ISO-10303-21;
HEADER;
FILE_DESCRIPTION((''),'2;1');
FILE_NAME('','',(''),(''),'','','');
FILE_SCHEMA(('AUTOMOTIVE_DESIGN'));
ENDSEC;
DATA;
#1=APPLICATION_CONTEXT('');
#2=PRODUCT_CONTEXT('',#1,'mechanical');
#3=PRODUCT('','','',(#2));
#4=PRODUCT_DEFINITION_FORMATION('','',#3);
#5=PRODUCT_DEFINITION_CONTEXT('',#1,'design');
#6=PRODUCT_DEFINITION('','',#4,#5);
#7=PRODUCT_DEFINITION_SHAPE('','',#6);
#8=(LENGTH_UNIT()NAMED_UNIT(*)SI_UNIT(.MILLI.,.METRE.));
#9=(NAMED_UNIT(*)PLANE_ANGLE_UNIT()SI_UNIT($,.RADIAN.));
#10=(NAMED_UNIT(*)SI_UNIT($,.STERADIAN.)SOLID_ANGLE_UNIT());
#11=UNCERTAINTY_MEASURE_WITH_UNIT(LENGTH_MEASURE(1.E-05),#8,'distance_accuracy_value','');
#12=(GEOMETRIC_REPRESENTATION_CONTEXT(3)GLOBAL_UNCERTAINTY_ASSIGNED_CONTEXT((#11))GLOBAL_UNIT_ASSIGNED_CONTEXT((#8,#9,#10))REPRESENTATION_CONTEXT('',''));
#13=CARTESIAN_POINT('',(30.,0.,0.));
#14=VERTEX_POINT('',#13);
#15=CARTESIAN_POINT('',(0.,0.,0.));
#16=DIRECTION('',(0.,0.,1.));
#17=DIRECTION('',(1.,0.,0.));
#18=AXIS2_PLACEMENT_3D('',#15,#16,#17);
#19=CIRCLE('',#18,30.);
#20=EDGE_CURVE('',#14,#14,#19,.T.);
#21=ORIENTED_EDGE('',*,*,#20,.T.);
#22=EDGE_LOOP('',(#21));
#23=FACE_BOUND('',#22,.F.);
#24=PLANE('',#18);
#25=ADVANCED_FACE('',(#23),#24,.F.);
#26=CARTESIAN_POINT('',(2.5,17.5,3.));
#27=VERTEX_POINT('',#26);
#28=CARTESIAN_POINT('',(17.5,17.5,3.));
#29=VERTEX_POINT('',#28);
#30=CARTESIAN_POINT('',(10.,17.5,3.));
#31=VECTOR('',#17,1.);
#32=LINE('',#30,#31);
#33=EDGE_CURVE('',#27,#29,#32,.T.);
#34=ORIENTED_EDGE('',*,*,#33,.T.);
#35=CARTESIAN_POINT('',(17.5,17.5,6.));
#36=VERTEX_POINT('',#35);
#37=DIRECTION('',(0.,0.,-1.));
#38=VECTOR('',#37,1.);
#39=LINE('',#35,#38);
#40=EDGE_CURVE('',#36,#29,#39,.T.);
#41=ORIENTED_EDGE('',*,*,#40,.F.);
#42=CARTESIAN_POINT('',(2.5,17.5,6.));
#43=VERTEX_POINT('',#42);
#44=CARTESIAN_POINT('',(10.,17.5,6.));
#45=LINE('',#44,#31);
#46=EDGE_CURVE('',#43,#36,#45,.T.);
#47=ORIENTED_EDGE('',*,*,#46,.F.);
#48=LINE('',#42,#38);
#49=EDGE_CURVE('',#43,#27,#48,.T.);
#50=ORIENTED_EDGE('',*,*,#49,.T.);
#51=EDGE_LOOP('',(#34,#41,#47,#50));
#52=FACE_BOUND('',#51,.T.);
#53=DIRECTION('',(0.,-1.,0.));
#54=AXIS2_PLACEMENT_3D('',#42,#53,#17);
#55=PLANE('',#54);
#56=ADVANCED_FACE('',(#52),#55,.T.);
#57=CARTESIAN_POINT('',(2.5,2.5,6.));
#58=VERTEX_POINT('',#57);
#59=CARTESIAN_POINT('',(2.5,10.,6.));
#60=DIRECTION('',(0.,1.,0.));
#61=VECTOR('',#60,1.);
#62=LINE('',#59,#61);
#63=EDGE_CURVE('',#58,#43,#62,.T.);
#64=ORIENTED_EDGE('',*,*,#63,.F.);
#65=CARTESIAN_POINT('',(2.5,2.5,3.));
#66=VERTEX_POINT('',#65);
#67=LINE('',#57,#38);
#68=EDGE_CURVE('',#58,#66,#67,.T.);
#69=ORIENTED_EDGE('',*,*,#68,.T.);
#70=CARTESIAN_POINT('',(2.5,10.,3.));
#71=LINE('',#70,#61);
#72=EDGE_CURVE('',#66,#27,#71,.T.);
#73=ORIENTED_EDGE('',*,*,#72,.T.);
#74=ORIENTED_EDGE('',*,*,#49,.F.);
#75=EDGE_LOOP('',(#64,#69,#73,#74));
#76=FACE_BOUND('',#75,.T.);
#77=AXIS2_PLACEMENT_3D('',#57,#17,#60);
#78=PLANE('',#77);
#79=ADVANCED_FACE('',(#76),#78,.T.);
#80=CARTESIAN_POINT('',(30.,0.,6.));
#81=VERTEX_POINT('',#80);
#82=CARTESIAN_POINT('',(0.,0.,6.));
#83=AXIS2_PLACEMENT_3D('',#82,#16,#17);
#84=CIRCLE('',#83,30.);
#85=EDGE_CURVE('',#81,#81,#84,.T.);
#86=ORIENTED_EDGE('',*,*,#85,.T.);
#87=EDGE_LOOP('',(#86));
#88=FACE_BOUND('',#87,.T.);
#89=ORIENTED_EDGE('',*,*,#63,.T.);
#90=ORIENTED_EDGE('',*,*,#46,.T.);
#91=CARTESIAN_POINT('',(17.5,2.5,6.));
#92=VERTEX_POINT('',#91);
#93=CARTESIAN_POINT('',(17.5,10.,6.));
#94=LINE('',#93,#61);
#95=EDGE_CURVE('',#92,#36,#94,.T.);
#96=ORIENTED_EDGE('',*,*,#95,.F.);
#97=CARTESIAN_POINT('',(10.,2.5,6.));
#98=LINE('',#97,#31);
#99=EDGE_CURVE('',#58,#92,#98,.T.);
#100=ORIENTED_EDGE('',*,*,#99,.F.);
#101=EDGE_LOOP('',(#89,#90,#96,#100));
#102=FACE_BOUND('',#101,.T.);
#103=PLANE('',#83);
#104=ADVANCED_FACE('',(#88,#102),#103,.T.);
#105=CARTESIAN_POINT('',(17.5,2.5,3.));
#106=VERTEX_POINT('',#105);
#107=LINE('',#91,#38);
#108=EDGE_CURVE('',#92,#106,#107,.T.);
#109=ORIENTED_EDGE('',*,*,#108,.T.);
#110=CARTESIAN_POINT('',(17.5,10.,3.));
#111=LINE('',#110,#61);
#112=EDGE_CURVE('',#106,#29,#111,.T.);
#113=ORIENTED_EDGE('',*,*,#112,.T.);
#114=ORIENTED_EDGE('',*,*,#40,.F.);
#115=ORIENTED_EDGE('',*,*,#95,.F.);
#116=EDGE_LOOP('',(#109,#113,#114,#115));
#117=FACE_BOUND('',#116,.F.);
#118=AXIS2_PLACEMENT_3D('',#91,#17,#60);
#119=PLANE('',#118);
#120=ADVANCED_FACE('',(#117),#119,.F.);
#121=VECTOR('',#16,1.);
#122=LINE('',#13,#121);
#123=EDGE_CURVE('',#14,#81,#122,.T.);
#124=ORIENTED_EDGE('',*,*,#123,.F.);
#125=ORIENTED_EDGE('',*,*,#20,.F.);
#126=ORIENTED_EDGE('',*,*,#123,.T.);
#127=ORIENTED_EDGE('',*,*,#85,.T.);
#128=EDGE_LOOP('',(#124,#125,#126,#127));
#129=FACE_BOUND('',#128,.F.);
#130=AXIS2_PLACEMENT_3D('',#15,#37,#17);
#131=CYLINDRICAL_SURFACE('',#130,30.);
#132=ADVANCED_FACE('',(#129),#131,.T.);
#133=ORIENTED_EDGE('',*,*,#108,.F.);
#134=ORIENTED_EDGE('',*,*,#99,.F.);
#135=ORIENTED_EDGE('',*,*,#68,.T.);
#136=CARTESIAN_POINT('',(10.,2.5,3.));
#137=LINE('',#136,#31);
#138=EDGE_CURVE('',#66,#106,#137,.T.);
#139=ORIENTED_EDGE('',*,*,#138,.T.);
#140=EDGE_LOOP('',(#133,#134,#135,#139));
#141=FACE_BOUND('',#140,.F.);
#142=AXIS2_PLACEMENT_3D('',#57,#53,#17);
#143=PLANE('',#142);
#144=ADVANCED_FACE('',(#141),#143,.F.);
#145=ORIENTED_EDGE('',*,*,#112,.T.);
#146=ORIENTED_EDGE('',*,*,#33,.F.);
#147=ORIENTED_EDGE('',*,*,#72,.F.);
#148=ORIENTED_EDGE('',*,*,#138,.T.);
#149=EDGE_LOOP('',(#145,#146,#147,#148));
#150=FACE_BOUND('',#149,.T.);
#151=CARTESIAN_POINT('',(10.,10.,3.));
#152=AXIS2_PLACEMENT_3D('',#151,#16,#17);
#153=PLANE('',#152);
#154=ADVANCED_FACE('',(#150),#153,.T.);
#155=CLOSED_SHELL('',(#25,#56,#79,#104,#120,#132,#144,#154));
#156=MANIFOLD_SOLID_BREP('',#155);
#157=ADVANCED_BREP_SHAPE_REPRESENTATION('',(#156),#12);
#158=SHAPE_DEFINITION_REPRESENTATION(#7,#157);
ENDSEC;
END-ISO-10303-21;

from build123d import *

# Parameters (mm, degrees)
F0_R     = 30
F1_DEPTH = 6
F2_W     = 15
F2_H     = 15
F3_DEPTH = 3


with BuildPart() as f1:
    # F0 (on Top) → F1 (new body)
    with BuildSketch(Plane.XY):
        Circle(F0_R)
    extrude(amount=F1_DEPTH)

    # F2 (on face) → F3 (cut)
    with BuildSketch(Plane.XY.offset(6)):
        with Locations((10, 10)):
            Rectangle(F2_W, F2_H)
    extrude(amount=-F3_DEPTH, mode=Mode.SUBTRACT)


solid = f1.part
